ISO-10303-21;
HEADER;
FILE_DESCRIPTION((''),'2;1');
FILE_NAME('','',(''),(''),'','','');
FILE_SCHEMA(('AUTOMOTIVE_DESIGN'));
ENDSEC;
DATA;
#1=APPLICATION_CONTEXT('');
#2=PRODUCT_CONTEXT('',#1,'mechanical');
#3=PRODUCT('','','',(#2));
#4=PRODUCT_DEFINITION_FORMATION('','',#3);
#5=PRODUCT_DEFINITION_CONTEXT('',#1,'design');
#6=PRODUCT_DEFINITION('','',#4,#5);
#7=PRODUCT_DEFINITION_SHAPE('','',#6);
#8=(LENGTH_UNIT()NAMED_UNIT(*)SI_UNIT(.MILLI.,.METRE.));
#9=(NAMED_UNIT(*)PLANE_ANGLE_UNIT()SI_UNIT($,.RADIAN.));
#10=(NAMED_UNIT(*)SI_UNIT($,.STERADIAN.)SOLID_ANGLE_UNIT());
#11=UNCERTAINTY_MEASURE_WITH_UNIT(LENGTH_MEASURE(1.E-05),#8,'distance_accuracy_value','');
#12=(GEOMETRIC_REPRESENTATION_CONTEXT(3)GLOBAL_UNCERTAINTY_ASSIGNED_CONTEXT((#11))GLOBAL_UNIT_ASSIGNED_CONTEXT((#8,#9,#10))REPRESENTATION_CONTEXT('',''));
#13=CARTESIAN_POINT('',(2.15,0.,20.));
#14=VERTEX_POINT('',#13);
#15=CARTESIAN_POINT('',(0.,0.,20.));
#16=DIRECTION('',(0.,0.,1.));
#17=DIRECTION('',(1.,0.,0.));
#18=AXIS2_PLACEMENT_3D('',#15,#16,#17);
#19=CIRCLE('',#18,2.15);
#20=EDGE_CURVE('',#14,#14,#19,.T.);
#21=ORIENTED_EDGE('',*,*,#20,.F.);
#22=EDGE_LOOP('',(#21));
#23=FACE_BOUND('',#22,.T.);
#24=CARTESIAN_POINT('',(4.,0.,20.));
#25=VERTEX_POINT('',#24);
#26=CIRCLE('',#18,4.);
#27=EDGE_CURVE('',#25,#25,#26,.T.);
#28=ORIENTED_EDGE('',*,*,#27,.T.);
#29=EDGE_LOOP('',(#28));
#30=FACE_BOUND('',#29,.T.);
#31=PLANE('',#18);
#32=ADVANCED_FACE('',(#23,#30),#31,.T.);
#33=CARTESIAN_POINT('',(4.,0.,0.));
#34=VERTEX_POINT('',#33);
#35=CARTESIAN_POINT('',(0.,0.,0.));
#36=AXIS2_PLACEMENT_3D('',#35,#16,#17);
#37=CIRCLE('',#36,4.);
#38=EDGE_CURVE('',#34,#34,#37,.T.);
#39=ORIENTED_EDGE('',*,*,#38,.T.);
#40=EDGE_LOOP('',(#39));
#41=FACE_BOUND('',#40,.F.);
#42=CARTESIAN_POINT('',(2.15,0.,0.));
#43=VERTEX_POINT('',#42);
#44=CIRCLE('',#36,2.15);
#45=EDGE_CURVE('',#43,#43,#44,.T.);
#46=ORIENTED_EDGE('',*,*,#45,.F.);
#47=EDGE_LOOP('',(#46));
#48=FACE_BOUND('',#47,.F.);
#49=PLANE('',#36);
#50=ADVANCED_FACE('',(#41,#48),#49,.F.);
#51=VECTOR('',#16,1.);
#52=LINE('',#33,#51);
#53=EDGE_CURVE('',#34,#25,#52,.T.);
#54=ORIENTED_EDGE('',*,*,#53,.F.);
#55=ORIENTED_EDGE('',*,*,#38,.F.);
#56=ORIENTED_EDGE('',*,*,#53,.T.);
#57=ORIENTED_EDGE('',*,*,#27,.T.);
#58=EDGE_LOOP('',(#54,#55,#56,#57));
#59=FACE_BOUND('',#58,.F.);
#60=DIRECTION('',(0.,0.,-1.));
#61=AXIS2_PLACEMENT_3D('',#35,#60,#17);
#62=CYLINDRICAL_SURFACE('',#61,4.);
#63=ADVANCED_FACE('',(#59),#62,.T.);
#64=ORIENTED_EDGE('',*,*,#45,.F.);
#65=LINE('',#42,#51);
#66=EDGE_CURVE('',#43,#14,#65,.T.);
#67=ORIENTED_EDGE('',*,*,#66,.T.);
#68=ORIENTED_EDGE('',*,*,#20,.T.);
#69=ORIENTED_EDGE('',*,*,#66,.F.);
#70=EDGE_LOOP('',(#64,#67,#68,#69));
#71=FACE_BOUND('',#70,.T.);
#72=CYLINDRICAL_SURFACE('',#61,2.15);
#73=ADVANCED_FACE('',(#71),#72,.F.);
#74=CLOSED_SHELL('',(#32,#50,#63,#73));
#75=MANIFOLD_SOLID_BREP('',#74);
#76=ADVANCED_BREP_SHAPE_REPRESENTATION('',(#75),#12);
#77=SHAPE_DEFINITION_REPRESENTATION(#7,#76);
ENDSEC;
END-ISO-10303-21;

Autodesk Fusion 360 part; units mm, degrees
sketch "Esboço1" plane through (0, 0, 0) normal (0, 0, 1) x (1, 0, 0)
  circle A0 centre (0, 0) radius 2.15
  circle A1 centre (0, 0) radius 4
  dimension "d1" = 4.3
  dimension "d2" = 8
extrude "Extrusão1" add sketch "Esboço1" along normal blind 20
